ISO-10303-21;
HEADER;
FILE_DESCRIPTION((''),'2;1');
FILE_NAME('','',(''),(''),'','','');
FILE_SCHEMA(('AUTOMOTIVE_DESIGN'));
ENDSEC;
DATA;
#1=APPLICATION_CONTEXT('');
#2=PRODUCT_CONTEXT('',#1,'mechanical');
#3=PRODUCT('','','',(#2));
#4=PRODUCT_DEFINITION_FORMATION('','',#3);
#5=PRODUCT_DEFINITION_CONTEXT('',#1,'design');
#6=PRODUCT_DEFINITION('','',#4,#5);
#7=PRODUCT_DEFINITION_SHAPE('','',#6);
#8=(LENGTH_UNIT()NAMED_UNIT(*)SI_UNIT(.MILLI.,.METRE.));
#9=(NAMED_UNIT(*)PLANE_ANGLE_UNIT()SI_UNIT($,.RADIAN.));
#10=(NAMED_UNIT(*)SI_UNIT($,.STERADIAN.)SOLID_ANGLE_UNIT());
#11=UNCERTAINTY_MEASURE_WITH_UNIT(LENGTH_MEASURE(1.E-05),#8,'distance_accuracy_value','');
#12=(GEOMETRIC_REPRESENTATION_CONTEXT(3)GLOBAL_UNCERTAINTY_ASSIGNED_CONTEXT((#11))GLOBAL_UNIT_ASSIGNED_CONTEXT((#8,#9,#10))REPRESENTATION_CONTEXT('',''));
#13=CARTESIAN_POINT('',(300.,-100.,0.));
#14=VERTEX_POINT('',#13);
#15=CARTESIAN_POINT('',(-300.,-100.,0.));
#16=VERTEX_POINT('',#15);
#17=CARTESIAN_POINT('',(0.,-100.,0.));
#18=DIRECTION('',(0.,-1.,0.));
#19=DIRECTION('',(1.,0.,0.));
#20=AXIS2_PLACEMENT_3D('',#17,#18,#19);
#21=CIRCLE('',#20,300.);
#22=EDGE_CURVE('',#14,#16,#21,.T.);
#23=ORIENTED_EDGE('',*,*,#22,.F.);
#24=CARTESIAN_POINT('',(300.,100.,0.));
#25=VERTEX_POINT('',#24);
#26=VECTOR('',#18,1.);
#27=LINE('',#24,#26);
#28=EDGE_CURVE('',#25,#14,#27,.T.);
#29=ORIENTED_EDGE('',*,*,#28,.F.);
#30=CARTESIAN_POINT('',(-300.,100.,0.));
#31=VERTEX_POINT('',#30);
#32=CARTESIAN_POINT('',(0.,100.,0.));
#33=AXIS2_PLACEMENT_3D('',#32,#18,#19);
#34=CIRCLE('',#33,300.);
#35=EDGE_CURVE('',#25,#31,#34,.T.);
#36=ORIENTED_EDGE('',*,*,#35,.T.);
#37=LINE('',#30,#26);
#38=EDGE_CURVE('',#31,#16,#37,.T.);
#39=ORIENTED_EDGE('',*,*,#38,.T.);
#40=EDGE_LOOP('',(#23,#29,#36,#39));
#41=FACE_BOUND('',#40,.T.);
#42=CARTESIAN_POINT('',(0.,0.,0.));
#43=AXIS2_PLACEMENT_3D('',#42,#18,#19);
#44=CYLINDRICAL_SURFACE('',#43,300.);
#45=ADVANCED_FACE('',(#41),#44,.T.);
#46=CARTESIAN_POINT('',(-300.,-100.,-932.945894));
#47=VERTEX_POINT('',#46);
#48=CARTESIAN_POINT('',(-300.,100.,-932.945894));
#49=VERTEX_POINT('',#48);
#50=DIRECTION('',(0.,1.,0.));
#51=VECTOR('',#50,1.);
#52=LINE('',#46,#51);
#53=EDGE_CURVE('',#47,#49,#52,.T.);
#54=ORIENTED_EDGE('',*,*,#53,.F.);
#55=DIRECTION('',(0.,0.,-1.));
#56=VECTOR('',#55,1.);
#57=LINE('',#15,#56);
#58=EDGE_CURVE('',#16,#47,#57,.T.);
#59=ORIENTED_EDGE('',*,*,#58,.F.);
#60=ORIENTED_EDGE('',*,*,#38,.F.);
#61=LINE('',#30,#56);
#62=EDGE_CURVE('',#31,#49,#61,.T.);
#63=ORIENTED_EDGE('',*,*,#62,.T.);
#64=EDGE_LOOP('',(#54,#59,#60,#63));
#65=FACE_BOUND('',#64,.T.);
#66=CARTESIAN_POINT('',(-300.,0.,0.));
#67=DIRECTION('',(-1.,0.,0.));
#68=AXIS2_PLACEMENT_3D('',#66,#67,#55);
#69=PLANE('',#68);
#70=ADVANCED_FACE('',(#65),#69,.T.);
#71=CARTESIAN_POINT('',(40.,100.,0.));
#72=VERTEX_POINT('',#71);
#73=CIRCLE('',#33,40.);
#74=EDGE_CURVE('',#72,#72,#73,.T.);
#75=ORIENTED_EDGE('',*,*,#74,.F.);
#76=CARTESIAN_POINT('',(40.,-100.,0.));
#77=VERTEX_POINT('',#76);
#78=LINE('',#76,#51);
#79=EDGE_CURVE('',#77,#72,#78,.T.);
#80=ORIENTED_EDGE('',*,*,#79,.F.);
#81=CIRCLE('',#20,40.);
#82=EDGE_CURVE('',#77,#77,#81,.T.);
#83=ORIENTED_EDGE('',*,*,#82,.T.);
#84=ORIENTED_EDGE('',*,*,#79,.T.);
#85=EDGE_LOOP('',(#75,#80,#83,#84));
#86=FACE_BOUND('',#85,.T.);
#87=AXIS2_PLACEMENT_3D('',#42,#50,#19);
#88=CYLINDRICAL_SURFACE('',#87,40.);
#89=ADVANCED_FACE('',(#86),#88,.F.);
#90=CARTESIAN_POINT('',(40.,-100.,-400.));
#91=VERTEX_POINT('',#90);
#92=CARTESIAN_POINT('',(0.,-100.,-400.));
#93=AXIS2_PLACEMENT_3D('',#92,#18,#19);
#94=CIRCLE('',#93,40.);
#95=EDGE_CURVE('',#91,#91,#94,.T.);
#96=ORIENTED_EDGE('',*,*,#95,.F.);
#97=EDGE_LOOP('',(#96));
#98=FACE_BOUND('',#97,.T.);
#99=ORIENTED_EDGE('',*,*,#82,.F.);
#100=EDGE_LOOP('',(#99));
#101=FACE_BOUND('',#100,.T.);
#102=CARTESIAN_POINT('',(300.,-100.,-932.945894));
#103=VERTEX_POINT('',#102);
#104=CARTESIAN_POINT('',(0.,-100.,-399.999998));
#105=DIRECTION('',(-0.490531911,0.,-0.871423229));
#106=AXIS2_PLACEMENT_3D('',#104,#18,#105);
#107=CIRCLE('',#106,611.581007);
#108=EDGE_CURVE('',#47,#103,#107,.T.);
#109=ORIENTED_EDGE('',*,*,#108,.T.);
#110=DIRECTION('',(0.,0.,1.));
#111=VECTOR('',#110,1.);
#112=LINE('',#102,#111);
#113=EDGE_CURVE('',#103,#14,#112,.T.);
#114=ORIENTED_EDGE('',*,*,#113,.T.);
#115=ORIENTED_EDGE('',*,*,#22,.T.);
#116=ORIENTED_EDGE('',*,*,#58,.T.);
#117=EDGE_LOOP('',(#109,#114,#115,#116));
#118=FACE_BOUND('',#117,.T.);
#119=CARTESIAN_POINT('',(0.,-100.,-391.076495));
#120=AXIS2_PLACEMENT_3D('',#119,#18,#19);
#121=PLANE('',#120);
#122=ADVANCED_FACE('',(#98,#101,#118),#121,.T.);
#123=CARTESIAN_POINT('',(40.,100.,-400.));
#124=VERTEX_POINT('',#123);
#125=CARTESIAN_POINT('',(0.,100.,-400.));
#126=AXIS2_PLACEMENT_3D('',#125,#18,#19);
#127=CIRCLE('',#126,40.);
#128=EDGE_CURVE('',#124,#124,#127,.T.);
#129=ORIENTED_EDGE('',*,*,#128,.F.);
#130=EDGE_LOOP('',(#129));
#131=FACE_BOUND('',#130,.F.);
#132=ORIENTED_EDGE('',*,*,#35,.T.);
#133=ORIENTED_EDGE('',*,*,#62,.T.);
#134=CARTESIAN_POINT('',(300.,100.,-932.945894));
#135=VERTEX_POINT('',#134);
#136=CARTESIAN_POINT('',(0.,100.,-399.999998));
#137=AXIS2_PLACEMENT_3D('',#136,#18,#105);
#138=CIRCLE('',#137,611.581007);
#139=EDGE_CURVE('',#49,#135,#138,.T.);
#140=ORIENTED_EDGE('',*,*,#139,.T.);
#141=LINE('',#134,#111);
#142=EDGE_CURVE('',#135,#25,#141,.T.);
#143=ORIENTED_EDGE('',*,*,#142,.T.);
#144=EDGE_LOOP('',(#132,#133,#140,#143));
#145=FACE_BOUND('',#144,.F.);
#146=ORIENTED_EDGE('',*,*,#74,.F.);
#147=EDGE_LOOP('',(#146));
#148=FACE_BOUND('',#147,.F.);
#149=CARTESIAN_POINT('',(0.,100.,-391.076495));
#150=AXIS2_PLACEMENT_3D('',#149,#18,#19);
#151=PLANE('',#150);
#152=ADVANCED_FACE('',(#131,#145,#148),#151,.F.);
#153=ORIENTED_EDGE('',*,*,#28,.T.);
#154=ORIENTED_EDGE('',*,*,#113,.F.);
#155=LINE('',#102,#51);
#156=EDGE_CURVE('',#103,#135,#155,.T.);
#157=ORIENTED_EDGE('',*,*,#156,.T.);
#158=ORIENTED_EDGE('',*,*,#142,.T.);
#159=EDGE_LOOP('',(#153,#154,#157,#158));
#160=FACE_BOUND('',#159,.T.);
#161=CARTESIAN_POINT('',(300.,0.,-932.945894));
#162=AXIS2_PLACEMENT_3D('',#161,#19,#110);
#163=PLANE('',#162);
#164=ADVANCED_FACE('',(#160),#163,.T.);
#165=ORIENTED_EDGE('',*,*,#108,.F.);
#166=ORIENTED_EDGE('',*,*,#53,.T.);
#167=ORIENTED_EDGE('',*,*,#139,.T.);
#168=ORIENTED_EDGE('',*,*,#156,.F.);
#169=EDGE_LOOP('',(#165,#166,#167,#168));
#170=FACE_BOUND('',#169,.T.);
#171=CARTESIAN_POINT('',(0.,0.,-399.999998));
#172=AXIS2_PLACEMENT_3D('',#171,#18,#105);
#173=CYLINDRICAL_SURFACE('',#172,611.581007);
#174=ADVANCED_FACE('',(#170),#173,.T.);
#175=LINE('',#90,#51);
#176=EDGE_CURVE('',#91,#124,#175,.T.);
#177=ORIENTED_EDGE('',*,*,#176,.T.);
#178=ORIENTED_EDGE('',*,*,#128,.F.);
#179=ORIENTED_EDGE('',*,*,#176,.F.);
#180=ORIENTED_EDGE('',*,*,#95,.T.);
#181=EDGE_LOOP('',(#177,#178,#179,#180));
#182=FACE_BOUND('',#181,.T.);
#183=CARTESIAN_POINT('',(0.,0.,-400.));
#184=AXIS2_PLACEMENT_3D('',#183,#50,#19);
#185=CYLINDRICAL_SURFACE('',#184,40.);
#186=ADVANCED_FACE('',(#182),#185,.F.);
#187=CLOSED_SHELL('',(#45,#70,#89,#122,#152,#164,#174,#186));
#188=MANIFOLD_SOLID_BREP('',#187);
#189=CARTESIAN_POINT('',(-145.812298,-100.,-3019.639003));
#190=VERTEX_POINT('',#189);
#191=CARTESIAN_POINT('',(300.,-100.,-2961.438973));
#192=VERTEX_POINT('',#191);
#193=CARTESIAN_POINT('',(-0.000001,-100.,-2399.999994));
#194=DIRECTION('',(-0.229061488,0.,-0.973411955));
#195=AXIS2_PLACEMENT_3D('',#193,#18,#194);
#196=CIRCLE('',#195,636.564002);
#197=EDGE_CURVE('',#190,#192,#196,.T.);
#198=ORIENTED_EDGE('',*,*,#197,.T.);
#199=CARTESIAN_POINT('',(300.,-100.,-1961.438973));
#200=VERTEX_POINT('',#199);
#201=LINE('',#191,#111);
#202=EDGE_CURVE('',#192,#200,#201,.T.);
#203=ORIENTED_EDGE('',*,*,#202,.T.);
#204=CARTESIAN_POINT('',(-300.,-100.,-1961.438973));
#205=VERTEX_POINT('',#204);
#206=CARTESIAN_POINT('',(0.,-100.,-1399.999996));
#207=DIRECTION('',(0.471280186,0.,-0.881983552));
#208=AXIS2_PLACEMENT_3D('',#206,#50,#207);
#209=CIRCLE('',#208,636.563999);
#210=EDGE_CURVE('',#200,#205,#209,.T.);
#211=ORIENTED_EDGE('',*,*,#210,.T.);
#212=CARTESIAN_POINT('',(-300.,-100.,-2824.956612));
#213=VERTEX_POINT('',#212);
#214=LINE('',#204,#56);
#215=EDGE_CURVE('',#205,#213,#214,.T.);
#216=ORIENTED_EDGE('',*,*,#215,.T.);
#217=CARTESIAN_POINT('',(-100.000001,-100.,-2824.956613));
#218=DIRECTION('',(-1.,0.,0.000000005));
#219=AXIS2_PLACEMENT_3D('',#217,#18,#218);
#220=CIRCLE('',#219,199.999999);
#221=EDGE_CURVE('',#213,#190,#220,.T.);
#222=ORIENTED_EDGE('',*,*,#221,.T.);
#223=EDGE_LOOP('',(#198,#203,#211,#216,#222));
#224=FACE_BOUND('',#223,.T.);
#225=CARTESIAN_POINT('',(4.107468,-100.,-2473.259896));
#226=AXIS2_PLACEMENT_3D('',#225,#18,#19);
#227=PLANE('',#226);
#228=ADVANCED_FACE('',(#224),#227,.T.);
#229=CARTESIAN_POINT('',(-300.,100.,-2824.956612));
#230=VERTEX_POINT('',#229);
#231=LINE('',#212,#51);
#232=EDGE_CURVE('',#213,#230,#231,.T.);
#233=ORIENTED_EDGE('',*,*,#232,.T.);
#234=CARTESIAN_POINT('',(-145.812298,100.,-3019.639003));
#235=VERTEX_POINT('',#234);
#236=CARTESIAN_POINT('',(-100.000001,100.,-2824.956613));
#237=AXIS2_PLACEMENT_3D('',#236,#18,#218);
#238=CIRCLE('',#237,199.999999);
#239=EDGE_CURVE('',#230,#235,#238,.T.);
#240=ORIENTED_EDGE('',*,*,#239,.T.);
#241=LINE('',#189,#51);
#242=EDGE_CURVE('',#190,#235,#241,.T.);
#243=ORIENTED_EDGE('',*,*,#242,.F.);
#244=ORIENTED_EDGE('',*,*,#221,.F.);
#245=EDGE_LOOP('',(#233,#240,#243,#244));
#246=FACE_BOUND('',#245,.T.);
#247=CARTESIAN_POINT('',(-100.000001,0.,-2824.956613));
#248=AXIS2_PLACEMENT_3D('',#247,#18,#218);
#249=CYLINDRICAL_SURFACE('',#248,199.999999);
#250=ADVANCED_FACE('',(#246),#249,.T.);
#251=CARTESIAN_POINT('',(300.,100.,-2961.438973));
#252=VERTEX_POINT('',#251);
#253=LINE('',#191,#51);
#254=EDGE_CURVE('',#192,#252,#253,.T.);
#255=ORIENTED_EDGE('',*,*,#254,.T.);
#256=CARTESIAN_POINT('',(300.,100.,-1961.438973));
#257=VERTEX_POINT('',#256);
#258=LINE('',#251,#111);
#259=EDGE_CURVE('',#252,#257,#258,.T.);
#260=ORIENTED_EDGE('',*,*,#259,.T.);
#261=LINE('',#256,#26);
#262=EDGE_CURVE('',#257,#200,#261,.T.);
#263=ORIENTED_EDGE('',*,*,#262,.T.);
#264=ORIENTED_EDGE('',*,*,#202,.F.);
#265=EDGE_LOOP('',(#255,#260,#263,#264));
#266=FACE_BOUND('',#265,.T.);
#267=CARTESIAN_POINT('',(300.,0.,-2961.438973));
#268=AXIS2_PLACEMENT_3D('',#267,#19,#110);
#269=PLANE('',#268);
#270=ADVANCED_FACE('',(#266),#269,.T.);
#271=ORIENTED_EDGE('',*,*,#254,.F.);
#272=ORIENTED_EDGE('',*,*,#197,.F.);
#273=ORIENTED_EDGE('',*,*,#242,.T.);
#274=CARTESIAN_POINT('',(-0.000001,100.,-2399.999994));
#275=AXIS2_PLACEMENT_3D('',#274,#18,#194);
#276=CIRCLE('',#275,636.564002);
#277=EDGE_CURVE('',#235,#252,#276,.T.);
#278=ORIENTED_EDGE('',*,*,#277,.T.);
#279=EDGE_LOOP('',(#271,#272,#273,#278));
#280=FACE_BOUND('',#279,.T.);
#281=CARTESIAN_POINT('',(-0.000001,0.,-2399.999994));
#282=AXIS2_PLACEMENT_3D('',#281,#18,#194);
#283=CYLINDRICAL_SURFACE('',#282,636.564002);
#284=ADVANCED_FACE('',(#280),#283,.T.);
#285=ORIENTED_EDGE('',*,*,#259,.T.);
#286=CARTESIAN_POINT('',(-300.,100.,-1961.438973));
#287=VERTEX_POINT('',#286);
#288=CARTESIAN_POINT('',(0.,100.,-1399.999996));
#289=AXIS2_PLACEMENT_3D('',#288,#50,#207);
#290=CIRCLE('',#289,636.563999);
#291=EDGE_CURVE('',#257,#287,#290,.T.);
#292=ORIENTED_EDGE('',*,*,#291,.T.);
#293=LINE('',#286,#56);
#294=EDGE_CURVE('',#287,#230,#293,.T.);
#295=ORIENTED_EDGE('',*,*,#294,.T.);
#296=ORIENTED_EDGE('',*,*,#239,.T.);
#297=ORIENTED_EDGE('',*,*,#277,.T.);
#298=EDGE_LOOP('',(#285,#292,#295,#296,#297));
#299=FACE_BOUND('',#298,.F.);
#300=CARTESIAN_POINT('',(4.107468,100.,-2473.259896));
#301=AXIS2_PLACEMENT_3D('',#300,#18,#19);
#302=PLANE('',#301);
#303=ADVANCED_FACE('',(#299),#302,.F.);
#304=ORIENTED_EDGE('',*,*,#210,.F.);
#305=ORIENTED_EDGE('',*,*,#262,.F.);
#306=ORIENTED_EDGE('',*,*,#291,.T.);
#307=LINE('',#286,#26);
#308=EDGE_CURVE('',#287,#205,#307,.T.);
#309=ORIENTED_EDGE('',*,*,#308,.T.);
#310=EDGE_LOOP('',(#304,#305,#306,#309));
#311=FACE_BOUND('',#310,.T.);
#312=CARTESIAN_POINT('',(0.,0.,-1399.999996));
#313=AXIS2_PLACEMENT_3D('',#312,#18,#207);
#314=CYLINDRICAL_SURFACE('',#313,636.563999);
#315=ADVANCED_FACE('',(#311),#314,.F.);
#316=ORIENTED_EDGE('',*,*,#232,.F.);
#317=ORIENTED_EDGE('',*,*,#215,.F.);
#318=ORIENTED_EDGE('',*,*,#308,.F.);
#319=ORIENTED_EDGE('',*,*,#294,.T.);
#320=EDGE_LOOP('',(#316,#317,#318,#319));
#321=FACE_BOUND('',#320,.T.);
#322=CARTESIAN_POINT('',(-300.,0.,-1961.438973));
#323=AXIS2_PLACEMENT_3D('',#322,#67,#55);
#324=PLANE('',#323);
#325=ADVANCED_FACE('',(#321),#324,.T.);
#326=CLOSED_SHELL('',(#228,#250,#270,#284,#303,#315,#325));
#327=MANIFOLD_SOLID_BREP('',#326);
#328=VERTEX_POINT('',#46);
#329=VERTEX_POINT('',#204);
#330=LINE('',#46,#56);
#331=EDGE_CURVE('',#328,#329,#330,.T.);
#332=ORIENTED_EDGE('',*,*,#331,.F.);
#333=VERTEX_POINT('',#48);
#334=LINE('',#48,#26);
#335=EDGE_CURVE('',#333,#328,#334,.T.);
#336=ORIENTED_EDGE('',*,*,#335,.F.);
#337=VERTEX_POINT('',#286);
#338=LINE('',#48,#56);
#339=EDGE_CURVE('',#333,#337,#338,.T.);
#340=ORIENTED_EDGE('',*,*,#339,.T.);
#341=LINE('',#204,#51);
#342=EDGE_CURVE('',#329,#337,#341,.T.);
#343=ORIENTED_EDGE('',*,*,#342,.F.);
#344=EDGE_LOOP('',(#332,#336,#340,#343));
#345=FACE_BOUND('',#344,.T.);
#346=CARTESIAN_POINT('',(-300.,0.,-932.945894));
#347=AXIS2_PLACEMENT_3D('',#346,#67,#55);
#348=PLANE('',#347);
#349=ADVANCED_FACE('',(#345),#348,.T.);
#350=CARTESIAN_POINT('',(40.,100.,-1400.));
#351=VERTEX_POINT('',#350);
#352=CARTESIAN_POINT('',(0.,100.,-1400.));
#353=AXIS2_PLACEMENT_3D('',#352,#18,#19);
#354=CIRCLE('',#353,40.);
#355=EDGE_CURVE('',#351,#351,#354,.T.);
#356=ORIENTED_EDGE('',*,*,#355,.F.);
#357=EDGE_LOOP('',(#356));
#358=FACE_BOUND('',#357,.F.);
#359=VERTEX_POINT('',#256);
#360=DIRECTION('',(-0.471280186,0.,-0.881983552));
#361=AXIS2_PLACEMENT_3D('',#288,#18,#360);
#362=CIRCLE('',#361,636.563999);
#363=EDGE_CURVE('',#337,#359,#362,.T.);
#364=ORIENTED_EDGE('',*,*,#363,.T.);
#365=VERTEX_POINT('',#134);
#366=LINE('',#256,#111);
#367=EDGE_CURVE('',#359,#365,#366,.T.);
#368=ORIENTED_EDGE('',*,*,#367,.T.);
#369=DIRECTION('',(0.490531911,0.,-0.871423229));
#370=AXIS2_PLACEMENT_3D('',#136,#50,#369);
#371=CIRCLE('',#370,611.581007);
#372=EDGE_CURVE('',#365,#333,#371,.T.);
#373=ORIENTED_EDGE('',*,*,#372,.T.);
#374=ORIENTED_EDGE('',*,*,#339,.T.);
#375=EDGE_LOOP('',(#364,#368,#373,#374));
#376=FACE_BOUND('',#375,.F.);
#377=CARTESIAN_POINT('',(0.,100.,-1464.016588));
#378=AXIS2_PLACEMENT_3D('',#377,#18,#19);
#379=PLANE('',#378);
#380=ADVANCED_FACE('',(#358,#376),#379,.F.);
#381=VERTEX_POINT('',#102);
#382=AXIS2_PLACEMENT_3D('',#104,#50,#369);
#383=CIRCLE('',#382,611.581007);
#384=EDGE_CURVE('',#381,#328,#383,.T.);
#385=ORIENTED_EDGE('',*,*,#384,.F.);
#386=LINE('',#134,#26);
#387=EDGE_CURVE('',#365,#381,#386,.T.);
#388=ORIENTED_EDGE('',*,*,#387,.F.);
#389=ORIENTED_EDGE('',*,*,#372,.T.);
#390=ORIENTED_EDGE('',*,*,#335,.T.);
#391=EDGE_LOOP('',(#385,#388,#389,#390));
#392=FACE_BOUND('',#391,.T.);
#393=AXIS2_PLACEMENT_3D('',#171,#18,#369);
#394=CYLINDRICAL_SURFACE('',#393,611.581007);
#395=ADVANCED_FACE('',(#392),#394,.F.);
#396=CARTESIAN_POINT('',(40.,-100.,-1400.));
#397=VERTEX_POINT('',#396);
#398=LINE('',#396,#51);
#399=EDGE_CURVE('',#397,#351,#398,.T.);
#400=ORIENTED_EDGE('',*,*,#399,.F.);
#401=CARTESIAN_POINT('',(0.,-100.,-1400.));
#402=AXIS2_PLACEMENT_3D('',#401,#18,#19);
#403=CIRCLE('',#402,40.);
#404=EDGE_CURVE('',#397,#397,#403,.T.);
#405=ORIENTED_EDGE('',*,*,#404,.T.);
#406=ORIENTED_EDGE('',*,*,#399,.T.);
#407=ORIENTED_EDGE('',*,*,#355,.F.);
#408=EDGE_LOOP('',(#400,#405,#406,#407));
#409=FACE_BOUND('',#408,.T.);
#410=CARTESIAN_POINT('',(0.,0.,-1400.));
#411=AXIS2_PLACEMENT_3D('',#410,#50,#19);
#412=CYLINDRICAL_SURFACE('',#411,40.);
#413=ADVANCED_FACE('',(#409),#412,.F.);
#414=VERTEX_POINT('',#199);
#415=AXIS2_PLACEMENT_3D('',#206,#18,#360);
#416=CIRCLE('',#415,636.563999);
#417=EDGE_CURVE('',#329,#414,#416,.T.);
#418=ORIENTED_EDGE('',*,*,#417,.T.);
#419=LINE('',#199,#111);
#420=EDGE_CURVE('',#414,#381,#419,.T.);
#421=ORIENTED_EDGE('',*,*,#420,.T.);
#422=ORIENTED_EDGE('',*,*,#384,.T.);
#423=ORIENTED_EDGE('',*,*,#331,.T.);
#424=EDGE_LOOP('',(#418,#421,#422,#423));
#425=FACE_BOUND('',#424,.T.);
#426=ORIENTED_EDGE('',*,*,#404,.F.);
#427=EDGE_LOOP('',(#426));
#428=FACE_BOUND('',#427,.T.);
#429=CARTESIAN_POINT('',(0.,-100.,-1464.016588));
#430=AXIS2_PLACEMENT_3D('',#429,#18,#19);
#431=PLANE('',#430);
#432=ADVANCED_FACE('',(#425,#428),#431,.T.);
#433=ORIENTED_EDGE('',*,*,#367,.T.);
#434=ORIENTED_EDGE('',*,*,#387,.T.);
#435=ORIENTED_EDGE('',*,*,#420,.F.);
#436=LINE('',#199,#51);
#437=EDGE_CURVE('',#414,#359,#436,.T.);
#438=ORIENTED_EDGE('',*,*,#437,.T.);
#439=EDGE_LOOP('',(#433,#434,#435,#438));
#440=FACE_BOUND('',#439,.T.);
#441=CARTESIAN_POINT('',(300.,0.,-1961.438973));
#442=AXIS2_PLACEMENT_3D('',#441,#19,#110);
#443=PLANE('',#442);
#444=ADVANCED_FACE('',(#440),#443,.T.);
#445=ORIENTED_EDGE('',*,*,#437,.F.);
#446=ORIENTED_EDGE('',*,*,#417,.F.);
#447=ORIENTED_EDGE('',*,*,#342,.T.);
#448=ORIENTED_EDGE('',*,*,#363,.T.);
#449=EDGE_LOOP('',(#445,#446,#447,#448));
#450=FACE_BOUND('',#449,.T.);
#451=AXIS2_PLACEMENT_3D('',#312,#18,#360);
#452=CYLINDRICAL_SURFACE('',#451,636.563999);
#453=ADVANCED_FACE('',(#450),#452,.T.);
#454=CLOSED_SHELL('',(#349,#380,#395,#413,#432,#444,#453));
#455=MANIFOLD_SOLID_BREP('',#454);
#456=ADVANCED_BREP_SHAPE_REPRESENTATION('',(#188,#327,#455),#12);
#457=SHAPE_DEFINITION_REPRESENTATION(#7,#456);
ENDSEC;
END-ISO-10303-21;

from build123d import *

# Parameters (mm, degrees)
F0_R     = 40
F1_DEPTH = 100
F2_DEPTH = 100
F3_DEPTH = 100


with BuildPart() as f1:
    # F0 (on Front) → F1 (new body, symmetric)
    with BuildSketch(Plane.XZ):
        with BuildLine():
            Line((300, -932.945894), (300, 0))
            ThreePointArc((300, 0), (0, 300), (-300, 0))
            Line((-300, 0), (-300, -932.945894))
            ThreePointArc((-300, -932.945894), (0, -1011.581005), (300, -932.945894))
        make_face()
        with Locations((0, -400)):
            Circle(F0_R, mode=Mode.SUBTRACT)
        Circle(F0_R, mode=Mode.SUBTRACT)
    extrude(amount=F1_DEPTH, both=True)


with BuildPart() as f2:
    # F0 (on Front) → F2 (new body, symmetric)
    with BuildSketch(Plane.XZ):
        with BuildLine():
            Line((300, -1961.438973), (300, -932.945894))
            ThreePointArc((300, -932.945894), (0, -1011.581005), (-300, -932.945894))
            Line((-300, -932.945894), (-300, -1961.438973))
            ThreePointArc((-300, -1961.438973), (0, -2036.563995), (300, -1961.438973))
        make_face()
        with Locations((0, -1400)):
            Circle(F0_R, mode=Mode.SUBTRACT)
    extrude(amount=F2_DEPTH, both=True)


with BuildPart() as f3:
    # F0 (on Front) → F3 (new body, symmetric)
    with BuildSketch(Plane.XZ):
        with BuildLine():
            Line((300, -2961.438973), (300, -1961.438973))
            ThreePointArc((300, -1961.438973), (0, -2036.563995), (-300, -1961.438973))
            Line((-300, -1961.438973), (-300, -2824.956612))
            ThreePointArc((-300, -2824.956612), (-256.784023, -2949.128953), (-145.812298, -3019.639003))
            ThreePointArc((-145.812298, -3019.639003), (82.403111, -3031.207927), (300, -2961.438973))
        make_face()
    extrude(amount=F3_DEPTH, both=True)


solid = Compound([f1.part, f2.part, f3.part])
